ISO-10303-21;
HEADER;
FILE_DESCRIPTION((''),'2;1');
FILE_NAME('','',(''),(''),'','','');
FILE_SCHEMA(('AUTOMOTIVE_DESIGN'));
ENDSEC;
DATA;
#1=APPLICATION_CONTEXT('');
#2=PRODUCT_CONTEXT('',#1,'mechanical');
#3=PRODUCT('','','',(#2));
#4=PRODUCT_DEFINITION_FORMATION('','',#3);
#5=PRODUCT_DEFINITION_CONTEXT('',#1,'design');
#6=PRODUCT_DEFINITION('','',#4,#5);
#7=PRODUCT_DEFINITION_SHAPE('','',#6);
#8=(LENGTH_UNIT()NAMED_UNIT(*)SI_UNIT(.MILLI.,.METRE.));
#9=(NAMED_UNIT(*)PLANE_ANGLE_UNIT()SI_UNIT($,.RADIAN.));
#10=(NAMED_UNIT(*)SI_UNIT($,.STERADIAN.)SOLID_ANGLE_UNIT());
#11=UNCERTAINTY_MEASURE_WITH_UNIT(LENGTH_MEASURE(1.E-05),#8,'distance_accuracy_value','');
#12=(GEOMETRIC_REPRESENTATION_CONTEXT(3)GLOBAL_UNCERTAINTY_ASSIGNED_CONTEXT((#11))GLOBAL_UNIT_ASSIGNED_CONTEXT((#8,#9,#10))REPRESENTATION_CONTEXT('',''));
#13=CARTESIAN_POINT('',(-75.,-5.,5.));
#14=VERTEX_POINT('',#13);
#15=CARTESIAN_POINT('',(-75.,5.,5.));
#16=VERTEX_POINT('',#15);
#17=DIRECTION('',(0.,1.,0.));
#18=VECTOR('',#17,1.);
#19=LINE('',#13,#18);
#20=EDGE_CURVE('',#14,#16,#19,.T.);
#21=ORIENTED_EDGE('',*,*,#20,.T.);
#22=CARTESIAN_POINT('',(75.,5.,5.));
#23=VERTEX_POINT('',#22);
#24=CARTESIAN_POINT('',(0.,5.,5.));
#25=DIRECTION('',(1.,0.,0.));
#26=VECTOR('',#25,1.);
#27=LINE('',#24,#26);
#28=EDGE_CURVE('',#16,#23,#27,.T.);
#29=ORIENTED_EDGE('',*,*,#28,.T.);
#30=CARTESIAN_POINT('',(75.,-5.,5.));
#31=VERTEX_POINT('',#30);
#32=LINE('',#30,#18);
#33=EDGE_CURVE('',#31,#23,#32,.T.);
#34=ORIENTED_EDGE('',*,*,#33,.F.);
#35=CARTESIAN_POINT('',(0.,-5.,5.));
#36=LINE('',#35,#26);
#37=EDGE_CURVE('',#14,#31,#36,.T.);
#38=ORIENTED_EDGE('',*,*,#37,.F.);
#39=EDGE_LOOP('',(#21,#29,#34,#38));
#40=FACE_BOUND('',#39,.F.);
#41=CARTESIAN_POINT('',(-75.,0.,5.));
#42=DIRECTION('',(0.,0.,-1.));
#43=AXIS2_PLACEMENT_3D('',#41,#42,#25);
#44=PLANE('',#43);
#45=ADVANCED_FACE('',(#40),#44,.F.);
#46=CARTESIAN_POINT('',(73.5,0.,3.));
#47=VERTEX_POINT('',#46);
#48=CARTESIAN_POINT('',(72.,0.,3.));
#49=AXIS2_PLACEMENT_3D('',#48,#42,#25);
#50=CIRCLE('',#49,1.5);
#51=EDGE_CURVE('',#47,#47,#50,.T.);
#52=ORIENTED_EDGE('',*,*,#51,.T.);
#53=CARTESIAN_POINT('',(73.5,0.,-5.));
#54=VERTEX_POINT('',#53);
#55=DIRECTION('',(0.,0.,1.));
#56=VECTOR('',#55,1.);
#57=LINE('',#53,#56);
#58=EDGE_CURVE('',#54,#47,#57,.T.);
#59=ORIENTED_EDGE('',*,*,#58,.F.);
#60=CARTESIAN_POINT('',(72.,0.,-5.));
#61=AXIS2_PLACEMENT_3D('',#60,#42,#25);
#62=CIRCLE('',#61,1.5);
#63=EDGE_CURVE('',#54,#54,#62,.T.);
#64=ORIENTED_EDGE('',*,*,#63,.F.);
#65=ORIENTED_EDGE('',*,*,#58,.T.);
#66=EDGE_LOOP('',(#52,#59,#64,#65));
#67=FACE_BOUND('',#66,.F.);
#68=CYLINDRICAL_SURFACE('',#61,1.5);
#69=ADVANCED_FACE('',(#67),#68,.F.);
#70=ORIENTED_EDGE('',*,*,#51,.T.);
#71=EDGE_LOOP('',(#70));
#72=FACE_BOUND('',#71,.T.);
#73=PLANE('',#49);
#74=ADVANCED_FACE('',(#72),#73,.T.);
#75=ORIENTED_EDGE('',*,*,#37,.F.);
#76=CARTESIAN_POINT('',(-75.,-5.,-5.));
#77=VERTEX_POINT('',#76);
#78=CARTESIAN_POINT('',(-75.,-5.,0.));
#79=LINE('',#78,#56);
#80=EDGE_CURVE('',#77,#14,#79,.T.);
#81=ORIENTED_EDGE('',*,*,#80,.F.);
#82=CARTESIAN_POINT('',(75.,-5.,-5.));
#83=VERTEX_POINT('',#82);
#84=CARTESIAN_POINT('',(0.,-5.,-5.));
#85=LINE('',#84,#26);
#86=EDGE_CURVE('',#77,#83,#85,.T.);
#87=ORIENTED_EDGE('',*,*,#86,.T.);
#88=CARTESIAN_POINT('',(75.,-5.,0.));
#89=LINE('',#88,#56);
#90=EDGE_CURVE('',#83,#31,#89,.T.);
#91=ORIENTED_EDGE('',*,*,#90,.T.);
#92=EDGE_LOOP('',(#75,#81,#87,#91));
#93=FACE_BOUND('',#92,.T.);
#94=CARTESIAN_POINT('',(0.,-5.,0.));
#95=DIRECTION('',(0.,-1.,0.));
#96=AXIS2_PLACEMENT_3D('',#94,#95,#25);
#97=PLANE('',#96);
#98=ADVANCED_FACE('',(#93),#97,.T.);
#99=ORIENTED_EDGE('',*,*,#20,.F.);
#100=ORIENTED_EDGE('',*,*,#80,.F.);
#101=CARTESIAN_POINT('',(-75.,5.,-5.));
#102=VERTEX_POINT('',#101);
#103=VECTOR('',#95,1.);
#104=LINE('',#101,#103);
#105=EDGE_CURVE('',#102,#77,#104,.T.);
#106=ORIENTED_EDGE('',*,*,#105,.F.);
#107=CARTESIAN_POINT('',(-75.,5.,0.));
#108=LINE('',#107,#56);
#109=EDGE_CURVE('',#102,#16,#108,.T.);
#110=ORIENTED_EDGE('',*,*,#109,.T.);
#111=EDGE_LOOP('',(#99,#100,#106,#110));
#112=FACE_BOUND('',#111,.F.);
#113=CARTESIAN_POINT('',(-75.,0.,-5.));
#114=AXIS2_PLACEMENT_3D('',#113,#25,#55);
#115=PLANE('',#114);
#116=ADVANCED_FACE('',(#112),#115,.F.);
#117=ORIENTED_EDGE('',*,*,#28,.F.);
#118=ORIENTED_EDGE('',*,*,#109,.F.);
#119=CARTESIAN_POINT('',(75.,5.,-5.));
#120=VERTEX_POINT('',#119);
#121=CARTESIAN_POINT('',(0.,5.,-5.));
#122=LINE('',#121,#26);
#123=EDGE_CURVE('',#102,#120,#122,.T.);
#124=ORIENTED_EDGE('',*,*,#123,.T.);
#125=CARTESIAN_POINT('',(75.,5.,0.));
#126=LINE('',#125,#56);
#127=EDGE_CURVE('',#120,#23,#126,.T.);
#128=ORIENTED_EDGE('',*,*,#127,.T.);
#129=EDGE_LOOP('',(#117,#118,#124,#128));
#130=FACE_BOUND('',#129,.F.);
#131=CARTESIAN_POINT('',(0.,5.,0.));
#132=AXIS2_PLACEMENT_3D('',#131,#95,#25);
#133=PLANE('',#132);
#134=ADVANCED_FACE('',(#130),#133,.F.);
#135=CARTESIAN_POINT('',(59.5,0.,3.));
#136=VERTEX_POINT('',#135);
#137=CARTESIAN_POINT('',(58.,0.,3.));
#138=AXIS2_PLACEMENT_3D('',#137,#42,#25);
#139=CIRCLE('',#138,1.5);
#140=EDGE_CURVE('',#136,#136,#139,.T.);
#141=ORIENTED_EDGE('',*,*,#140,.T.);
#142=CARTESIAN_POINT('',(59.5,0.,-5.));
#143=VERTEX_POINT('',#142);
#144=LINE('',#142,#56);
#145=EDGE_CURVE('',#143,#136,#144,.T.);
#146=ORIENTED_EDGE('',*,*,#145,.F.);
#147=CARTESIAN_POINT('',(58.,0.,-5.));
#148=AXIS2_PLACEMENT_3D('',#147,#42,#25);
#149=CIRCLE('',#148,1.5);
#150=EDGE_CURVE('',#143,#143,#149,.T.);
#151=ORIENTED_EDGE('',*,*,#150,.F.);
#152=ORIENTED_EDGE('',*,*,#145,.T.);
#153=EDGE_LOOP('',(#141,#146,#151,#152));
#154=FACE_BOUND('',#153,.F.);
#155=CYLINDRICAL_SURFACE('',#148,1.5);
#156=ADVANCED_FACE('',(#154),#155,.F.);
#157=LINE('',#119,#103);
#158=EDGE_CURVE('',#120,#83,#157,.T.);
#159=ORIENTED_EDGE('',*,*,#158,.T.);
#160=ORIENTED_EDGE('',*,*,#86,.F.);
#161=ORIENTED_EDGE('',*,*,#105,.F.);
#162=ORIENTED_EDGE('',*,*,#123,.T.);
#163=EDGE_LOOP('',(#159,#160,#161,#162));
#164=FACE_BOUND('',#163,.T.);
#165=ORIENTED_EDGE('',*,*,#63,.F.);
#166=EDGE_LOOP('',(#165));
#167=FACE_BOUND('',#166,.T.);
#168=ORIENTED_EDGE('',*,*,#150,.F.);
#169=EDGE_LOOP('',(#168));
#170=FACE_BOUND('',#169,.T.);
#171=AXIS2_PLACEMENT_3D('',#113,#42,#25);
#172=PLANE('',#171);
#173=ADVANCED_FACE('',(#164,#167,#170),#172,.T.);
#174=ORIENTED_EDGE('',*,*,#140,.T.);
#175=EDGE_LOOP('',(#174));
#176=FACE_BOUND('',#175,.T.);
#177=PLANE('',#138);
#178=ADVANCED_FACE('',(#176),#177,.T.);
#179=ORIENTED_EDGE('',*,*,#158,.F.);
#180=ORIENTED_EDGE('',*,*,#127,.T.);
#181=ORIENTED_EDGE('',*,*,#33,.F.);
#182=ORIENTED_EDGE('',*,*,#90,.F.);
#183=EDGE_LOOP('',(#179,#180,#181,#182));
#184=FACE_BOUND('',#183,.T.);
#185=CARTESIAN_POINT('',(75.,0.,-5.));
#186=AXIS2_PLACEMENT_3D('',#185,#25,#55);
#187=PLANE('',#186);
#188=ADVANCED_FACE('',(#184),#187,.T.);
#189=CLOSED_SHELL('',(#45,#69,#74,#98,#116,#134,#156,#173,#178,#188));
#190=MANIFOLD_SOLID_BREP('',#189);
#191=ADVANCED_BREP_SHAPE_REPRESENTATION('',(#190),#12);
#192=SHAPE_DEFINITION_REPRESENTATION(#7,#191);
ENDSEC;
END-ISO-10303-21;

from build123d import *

# Parameters (mm, degrees)
F0_W     = 150
F0_H     = 10
F1_DEPTH = 5
F2_R     = 1.5
F3_DEPTH = 8


with BuildPart() as f1:
    # F0 (on Front) → F1 (new body, symmetric)
    with BuildSketch(Plane.XZ):
        Rectangle(F0_W, F0_H)
    extrude(amount=F1_DEPTH, both=True)

    # F2 (on face) → F3 (cut)
    with BuildSketch(Plane(origin=(0, 0, -5), x_dir=(1, 0, 0), z_dir=(0, 0, -1))):
        with Locations((72, 0)):
            Circle(F2_R)
        with Locations((58, 0)):
            Circle(F2_R)
    extrude(amount=-F3_DEPTH, mode=Mode.SUBTRACT)


solid = f1.part
